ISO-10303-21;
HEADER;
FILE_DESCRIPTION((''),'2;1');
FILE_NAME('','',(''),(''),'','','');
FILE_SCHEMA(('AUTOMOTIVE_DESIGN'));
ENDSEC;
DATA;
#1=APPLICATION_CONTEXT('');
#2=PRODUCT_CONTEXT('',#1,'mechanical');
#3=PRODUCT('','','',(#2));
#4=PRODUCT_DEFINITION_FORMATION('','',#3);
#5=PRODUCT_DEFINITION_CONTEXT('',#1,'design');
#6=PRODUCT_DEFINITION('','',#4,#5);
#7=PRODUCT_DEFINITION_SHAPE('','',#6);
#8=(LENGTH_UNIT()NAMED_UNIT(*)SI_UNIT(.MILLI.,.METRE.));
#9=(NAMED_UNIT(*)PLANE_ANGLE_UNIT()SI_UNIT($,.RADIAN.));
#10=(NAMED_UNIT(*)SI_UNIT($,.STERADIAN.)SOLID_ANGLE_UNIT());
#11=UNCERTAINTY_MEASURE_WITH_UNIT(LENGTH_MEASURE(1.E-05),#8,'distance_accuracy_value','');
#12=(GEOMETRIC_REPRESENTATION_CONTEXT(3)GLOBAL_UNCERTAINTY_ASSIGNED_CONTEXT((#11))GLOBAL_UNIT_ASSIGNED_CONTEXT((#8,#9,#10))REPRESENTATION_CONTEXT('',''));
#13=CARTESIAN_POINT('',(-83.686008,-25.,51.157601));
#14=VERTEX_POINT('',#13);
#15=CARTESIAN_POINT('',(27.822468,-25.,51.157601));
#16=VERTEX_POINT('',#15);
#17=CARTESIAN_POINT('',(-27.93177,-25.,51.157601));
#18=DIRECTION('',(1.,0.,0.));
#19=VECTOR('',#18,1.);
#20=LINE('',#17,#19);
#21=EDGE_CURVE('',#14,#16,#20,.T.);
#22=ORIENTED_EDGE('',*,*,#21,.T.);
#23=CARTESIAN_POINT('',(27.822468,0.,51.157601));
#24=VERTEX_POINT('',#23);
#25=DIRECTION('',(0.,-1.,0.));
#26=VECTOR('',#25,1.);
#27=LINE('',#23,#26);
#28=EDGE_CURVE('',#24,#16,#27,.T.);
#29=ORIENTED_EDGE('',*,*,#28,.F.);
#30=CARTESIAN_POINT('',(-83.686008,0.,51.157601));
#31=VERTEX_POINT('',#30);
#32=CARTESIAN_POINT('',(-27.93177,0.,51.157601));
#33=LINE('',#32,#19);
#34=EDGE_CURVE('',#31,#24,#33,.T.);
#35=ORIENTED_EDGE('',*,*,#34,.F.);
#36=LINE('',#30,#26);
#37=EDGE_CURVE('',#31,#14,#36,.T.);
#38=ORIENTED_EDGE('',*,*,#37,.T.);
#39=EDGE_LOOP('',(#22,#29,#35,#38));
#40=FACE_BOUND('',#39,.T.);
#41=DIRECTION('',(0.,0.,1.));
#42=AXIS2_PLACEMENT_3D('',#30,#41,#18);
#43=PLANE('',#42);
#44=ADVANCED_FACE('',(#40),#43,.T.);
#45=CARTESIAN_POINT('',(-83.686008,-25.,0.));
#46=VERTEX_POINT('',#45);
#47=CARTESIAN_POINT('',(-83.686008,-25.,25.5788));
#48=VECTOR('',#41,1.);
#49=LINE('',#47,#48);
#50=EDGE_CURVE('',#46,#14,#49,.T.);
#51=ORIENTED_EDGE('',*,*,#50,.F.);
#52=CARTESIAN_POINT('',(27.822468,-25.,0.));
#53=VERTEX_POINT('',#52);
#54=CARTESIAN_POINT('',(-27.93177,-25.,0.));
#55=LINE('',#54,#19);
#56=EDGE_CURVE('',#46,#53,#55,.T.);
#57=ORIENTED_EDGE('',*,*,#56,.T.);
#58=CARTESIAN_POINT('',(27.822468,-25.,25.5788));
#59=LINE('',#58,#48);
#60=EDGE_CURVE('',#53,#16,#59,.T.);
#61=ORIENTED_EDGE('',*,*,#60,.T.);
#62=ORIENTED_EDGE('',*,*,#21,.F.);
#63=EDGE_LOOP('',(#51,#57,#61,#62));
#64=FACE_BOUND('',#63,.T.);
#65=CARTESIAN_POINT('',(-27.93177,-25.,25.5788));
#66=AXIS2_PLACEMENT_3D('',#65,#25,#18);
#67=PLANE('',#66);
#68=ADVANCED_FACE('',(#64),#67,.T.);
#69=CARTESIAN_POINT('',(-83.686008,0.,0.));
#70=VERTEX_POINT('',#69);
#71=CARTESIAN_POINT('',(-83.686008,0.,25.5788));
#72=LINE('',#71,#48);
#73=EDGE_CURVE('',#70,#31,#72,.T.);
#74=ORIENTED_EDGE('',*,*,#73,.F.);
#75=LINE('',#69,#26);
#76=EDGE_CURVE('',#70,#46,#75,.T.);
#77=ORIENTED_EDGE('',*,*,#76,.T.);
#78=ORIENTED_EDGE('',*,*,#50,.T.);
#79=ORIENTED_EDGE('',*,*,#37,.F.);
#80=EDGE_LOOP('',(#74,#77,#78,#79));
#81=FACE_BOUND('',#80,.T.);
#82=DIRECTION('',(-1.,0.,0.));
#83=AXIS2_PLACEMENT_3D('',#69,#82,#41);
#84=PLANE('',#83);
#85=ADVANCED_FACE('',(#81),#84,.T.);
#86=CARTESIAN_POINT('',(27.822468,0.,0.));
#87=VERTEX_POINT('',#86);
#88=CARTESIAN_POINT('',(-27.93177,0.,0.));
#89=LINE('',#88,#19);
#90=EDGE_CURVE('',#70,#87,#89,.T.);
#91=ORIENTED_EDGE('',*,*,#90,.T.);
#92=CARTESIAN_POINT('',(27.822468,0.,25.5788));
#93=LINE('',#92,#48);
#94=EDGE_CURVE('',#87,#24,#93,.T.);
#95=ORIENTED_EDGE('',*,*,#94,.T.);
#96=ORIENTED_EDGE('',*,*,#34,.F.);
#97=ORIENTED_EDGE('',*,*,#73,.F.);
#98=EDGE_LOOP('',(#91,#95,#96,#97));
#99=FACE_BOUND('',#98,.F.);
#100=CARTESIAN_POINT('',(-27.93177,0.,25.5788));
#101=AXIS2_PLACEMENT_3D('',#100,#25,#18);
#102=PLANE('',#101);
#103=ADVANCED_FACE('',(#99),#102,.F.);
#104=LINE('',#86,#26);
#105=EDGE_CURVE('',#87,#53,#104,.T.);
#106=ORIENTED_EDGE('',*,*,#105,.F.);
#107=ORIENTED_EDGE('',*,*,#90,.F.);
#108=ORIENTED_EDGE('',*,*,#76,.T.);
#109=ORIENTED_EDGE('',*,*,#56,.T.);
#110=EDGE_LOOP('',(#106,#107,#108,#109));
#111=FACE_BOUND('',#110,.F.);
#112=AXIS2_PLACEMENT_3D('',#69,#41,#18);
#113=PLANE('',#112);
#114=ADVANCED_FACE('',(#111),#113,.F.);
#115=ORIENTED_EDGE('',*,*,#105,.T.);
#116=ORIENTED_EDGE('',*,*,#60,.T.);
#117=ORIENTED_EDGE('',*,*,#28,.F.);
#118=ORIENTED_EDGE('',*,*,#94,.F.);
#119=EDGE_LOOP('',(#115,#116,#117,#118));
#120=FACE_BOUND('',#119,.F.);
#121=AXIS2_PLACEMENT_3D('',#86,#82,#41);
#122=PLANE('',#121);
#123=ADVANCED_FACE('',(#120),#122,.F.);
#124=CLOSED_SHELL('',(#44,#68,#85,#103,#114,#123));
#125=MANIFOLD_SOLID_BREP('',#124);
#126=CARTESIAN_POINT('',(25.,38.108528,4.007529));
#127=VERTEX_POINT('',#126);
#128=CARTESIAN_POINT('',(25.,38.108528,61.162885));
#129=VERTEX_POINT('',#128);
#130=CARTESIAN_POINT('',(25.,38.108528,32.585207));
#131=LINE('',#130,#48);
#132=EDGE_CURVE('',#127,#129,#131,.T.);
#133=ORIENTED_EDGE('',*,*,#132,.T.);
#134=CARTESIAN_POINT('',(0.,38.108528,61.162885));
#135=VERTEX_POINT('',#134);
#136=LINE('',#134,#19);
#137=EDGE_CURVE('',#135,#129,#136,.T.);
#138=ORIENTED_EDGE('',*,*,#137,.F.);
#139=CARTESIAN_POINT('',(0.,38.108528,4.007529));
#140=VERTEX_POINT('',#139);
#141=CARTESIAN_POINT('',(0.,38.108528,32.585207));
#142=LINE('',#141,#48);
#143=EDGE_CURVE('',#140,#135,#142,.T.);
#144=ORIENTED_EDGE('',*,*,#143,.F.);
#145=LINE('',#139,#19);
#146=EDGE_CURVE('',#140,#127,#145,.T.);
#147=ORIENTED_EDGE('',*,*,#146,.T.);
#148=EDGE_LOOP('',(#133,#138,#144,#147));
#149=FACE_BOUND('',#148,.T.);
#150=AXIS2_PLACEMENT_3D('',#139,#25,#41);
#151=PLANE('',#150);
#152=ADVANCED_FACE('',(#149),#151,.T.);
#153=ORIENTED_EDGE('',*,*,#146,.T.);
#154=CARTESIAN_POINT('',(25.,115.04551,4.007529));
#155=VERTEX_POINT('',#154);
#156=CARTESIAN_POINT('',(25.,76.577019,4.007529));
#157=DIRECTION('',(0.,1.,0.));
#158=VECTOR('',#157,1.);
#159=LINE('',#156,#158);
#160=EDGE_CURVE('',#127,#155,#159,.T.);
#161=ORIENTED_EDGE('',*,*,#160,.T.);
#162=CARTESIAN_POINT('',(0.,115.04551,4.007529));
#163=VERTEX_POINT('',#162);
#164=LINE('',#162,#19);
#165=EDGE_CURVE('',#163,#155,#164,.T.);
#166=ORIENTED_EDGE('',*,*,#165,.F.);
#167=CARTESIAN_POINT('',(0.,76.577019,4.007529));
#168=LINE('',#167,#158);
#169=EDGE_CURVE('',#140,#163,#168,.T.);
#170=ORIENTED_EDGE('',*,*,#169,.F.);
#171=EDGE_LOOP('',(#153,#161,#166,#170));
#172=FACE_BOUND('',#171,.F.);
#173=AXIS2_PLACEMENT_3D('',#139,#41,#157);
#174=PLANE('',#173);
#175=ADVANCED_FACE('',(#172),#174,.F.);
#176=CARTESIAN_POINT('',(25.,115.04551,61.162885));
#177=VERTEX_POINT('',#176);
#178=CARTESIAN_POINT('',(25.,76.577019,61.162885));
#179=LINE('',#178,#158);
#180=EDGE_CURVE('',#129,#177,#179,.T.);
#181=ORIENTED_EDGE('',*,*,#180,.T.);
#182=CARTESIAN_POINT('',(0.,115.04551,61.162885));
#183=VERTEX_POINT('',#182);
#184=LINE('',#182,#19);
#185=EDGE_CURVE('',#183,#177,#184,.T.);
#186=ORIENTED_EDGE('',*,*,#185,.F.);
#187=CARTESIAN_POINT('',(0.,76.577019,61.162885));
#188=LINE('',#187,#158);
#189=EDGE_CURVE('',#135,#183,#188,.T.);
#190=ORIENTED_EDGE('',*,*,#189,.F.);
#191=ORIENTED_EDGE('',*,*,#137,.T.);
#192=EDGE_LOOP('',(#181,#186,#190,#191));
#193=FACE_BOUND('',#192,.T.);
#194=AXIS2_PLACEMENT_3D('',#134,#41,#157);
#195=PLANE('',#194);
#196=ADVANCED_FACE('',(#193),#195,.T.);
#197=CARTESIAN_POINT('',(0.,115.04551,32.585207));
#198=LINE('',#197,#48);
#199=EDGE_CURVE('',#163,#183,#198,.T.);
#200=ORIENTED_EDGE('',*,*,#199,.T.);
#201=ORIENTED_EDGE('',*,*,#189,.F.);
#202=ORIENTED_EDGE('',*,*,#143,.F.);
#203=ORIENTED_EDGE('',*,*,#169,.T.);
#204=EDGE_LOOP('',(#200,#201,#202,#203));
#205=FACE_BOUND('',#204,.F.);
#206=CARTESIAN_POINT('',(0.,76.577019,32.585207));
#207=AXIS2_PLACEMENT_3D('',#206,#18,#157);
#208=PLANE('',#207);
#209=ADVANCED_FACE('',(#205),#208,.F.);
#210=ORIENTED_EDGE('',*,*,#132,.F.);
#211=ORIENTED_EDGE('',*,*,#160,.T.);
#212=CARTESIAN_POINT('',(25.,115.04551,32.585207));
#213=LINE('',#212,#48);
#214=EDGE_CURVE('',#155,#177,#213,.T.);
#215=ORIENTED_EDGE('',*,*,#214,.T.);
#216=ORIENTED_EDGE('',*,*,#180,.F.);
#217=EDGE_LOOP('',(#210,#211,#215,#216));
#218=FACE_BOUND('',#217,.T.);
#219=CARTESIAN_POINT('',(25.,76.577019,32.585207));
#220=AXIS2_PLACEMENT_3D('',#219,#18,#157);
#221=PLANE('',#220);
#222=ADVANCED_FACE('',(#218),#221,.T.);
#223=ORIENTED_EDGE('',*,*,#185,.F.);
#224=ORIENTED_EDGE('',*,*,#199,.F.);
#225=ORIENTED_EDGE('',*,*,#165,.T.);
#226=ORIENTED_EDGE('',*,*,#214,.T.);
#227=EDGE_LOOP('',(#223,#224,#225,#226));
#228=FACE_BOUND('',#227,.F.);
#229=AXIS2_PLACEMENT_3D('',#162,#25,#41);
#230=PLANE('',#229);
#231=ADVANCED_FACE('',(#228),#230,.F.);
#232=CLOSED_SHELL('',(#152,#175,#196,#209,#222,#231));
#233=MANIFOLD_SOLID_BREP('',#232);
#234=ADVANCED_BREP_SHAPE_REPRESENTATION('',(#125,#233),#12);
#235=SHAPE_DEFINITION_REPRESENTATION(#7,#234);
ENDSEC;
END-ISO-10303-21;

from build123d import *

# Parameters (mm, degrees)
F0_W     = 111.508477
F0_H     = 51.157601
F1_DEPTH = 25
F2_W     = 76.936982
F2_H     = 57.155356
F3_DEPTH = 25


with BuildPart() as f1:
    # F0 (on Front) → F1 (new body)
    with BuildSketch(Plane.XZ):
        with Locations((-27.93177, 25.5788)):
            Rectangle(F0_W, F0_H)
    extrude(amount=F1_DEPTH)


with BuildPart() as f3:
    # F2 (on Right) → F3 (new body)
    with BuildSketch(Plane.YZ):
        with Locations((76.577019, 32.585207)):
            Rectangle(F2_W, F2_H)
    extrude(amount=F3_DEPTH)


solid = Compound([f1.part, f3.part])
